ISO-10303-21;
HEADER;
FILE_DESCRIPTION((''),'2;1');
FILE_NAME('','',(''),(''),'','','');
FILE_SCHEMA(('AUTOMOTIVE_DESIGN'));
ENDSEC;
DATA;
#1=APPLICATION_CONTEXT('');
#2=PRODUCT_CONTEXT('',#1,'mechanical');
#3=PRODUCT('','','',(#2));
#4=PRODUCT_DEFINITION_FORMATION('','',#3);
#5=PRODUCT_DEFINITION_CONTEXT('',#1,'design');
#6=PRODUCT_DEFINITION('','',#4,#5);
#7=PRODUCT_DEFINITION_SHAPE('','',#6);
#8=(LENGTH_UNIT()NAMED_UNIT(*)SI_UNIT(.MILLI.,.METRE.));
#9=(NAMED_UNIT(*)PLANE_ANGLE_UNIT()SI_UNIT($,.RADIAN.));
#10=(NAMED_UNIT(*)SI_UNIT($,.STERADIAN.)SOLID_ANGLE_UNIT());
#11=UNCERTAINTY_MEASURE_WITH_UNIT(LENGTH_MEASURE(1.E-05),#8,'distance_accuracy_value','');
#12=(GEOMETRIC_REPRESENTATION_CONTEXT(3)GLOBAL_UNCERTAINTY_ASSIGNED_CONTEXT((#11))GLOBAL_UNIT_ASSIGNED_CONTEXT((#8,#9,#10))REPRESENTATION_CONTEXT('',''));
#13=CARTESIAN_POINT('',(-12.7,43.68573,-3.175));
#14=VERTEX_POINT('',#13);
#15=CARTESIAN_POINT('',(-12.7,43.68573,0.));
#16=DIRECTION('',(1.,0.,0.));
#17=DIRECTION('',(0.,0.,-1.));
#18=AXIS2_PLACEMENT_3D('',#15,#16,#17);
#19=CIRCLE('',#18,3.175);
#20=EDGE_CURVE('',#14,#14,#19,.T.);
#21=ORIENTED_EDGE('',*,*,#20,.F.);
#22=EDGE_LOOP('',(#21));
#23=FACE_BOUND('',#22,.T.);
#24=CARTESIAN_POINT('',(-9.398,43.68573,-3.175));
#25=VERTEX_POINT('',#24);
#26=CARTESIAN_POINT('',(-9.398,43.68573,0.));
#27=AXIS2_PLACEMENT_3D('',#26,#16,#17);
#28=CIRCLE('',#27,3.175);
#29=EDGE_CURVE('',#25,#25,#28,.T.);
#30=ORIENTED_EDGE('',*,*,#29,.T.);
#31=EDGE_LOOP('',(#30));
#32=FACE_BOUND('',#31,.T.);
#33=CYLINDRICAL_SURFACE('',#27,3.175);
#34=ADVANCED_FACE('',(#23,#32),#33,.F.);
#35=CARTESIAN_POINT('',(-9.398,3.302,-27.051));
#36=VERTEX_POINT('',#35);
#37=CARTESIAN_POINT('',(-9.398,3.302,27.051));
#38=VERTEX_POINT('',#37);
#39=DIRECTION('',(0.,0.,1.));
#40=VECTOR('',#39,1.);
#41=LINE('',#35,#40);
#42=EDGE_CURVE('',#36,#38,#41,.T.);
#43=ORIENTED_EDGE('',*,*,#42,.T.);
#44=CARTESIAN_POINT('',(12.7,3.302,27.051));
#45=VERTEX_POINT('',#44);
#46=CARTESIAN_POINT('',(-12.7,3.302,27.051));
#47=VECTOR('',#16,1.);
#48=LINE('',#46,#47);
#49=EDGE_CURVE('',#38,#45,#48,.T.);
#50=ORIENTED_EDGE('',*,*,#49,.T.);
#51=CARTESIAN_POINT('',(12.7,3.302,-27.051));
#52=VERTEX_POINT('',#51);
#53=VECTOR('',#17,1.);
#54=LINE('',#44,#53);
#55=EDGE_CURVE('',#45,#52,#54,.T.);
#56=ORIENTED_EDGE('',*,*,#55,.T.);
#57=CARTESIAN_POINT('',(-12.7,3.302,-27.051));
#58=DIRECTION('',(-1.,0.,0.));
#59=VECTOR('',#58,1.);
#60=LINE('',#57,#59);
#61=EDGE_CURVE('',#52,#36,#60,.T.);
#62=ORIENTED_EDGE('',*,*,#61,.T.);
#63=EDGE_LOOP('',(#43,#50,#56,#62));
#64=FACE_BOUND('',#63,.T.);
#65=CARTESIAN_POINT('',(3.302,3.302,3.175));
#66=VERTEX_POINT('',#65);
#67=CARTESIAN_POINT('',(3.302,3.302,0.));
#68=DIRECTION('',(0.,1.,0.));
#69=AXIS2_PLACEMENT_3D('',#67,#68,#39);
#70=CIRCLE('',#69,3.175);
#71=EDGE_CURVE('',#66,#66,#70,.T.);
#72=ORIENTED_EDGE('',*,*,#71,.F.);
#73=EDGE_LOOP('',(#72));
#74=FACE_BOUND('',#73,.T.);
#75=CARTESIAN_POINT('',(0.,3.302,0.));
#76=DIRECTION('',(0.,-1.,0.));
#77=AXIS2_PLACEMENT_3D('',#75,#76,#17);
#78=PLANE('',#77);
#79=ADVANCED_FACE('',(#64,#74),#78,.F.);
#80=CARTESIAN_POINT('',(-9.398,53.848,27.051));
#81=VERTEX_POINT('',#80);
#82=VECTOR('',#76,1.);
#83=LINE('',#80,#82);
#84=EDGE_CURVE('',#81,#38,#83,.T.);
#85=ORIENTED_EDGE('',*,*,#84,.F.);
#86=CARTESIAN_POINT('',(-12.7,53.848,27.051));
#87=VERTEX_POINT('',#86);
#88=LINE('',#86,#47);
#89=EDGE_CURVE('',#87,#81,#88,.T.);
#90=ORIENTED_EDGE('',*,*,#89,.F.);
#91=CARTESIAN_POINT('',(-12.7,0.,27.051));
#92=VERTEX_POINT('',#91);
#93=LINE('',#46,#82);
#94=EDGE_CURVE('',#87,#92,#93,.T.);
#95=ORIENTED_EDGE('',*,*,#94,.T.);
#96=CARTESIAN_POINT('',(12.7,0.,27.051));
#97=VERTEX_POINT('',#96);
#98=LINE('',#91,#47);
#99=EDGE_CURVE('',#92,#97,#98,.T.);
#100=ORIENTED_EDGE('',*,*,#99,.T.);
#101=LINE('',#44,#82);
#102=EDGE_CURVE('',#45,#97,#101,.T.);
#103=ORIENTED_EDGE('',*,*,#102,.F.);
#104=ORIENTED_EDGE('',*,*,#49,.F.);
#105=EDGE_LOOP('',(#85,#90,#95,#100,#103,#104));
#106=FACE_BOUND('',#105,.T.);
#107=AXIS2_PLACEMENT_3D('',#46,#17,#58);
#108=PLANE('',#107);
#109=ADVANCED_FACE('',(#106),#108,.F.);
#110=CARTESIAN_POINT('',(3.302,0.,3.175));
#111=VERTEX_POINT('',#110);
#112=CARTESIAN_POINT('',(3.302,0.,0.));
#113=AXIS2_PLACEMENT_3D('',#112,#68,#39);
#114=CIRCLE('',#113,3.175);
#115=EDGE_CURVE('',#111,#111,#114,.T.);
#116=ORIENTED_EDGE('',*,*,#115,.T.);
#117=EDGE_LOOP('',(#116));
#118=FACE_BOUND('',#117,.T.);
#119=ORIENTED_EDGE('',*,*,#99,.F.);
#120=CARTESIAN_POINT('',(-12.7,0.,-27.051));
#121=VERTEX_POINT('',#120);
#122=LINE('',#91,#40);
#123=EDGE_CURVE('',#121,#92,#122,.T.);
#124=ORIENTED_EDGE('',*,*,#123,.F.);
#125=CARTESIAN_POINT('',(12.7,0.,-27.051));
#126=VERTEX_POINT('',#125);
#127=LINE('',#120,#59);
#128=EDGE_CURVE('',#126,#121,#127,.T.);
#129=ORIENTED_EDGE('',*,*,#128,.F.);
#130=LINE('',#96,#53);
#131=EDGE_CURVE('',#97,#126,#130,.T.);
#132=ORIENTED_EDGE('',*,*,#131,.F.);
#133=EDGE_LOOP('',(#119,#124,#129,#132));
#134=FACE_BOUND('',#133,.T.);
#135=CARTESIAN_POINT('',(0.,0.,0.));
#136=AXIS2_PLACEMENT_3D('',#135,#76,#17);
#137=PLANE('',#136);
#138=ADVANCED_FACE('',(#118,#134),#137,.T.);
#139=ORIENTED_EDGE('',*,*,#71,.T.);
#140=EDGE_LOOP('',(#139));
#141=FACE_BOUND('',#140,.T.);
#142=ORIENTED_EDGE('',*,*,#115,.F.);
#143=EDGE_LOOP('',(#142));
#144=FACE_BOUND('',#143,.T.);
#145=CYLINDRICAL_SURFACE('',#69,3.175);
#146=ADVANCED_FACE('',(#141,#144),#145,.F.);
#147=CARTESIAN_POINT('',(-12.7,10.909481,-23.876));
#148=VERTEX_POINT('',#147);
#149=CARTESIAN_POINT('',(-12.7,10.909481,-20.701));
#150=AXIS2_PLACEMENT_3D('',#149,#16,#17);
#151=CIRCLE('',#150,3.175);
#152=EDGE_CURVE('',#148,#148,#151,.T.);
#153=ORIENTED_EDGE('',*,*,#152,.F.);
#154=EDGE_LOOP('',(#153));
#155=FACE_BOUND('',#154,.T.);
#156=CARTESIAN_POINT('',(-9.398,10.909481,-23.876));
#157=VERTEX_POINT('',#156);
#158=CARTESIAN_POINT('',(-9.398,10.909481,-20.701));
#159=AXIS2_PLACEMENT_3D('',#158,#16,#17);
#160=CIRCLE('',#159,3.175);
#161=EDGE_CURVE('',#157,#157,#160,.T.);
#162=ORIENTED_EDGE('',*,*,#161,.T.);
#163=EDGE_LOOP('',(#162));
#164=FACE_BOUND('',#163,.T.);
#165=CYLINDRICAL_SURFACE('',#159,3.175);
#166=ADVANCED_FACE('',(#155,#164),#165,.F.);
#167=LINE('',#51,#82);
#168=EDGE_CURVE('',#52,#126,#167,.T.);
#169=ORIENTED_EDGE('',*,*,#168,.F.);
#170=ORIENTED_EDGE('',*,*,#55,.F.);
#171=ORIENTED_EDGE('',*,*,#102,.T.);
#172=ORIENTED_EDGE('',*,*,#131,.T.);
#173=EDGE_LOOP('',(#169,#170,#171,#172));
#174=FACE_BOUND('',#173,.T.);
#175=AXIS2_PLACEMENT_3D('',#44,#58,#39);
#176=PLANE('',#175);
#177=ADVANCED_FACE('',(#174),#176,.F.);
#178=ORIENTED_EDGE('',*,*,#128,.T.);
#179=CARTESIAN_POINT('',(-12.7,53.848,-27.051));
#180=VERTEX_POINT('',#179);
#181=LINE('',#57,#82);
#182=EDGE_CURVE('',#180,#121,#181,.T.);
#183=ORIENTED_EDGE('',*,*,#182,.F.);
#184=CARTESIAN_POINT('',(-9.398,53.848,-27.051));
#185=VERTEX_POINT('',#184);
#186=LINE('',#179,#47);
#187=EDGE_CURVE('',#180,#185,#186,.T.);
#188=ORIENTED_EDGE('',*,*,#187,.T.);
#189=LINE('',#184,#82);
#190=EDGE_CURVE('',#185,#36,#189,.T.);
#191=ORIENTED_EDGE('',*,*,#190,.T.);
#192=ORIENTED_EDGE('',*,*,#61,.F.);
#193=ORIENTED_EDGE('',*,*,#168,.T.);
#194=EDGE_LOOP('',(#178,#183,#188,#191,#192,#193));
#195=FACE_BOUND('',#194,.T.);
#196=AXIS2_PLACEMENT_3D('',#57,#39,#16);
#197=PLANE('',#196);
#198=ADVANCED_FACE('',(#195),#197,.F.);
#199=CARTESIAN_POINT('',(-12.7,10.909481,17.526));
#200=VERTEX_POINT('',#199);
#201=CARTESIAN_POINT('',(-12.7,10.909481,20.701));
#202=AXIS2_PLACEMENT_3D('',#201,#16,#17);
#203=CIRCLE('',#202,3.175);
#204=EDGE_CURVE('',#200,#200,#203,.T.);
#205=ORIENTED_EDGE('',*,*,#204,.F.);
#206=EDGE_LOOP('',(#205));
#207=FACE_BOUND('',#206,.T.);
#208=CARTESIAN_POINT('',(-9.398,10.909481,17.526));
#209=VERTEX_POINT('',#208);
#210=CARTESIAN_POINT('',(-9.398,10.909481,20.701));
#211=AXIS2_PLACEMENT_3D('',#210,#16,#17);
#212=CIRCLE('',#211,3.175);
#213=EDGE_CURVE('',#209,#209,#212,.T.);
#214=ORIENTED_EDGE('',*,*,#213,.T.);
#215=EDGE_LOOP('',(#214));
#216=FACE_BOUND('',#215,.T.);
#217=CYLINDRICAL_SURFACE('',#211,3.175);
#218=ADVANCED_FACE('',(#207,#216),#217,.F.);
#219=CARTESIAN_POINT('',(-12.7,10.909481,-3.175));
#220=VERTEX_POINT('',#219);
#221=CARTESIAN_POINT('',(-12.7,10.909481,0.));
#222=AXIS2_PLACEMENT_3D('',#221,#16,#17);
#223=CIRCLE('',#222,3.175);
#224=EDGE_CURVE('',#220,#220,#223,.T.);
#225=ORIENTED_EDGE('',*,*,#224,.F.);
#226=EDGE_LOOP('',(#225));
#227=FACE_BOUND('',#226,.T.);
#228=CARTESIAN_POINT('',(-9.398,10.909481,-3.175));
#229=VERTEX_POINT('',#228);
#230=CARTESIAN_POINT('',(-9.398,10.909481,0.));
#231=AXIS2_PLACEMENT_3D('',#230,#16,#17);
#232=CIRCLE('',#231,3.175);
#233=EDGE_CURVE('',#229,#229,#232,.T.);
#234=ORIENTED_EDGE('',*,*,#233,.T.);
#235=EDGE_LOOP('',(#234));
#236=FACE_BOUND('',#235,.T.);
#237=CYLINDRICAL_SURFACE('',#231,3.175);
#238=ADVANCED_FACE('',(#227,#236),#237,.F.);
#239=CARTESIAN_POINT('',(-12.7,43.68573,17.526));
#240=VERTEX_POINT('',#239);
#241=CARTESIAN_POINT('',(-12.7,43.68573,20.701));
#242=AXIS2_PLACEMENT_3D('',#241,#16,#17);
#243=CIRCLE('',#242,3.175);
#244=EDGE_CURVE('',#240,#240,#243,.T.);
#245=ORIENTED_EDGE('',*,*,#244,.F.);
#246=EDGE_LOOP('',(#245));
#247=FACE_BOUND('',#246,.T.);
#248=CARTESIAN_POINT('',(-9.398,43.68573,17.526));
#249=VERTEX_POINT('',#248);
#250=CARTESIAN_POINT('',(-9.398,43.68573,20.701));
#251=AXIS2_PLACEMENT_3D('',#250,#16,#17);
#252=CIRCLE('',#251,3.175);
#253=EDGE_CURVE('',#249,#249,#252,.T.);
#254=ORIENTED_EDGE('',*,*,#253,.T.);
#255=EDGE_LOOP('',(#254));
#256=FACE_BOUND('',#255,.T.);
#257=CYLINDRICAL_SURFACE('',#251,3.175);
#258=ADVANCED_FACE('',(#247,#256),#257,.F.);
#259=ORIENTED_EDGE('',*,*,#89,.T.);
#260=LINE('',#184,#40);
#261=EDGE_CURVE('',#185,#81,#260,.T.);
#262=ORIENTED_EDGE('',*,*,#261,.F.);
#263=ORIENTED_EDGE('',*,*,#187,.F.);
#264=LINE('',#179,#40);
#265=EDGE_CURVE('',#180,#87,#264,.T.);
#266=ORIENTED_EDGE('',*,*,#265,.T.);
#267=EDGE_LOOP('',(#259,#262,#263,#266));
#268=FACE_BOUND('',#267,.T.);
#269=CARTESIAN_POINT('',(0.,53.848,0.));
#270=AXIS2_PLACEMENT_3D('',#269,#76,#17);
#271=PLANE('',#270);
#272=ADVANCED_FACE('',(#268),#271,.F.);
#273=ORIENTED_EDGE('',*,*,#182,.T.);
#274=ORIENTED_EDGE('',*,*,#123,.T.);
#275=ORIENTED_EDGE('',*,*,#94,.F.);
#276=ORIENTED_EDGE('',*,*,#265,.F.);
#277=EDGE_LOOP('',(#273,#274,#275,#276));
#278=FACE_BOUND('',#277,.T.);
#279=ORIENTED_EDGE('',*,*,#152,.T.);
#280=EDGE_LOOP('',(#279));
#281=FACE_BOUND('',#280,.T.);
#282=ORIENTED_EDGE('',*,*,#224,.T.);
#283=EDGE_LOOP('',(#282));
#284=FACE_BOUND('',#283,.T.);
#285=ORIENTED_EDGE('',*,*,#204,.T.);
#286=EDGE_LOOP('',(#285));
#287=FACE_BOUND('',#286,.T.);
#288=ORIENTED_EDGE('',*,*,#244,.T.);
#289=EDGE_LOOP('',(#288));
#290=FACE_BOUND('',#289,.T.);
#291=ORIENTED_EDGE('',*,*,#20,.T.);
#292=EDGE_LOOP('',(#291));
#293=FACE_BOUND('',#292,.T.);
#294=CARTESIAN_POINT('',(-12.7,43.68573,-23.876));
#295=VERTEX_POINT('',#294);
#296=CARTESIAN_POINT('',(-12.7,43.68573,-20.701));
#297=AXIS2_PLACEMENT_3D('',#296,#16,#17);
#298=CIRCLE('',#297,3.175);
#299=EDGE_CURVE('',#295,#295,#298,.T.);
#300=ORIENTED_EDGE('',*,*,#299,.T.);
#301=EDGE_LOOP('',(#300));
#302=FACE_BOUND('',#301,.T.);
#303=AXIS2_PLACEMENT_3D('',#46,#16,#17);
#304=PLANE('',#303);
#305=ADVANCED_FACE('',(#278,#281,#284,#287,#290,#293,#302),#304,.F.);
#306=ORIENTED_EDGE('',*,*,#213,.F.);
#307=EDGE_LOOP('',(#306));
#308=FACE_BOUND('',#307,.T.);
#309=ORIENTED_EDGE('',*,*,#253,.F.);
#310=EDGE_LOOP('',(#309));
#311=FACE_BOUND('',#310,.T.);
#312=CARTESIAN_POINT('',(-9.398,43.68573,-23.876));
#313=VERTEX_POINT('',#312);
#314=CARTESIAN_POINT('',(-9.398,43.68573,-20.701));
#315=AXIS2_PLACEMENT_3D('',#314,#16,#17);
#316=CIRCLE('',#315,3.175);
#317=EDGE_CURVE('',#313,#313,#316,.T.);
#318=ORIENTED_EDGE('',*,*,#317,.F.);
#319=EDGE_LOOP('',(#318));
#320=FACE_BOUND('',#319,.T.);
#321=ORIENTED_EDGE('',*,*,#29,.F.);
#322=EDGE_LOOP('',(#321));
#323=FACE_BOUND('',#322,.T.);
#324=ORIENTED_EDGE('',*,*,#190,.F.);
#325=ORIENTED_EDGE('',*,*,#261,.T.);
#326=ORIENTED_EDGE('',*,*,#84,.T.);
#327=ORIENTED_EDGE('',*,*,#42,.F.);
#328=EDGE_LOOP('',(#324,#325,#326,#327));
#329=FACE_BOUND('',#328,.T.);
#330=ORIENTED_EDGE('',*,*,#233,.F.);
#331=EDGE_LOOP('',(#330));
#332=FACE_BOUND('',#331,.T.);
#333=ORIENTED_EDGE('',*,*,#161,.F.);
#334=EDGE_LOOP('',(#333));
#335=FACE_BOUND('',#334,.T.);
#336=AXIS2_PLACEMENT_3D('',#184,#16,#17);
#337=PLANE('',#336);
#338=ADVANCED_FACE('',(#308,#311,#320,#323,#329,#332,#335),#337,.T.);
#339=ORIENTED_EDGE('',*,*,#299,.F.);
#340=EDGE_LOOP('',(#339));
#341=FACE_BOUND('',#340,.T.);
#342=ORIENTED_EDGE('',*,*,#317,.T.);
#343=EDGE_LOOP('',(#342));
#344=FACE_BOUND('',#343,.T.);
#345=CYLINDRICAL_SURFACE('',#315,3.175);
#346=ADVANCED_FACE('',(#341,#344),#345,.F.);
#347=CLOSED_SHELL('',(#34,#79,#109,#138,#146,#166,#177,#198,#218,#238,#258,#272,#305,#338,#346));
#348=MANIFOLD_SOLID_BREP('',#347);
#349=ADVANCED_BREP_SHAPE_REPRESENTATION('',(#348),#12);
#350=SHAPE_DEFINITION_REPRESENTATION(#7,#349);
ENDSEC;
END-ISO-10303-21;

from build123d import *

# Parameters (mm, degrees)
SKETCH2_W                   = 25.4
SKETCH2_H                   = 54.102
BOSS_EXTRUDE1_DEPTH         = 3.302
SKETCH3_W                   = 3.302
SKETCH3_H                   = 54.102
BOSS_EXTRUDE2_DEPTH         = 50.546
F_1_4_0_25_DIAMETER_HOLE1_D = 6.35
F_1_4_0_25_DIAMETER_HOLE3_D = 6.35


with BuildPart() as part:
    # Sketch2 → Boss-Extrude1 (new body)
    with BuildSketch(Plane(origin=(0, 0, 0), x_dir=(1, 0, 0), z_dir=(0, 1, 0))):
        Rectangle(SKETCH2_W, SKETCH2_H)
    extrude(amount=BOSS_EXTRUDE1_DEPTH)

    # Sketch3 → Boss-Extrude2 (add)
    with BuildSketch(Plane(origin=(0, 3.302, 0), x_dir=(1, 0, 0), z_dir=(0, 1, 0))):
        with Locations((-11.049, 0)):
            Rectangle(SKETCH3_W, SKETCH3_H)
    extrude(amount=BOSS_EXTRUDE2_DEPTH)

    # 1/4 (0.25) Diameter Hole1 (through all)
    with Locations(Plane(origin=(-9.398, 0, 0), x_dir=(0, 0, -1), z_dir=(1, 0, 0))):
        with Locations((-20.701, 43.685729795), (0, 43.685729795), (20.701, 43.685729795), (20.701, 10.909480531), (0, 10.909480531), (-20.701, 10.909480531)):
            Hole(F_1_4_0_25_DIAMETER_HOLE1_D / 2)

    # 1/4 (0.25) Diameter Hole3 (through all)
    with Locations(Plane(origin=(0, 3.302, 0), x_dir=(1, 0, 0), z_dir=(0, 1, 0))):
        with Locations((3.302, 0)):
            Hole(F_1_4_0_25_DIAMETER_HOLE3_D / 2)


solid = part.part
